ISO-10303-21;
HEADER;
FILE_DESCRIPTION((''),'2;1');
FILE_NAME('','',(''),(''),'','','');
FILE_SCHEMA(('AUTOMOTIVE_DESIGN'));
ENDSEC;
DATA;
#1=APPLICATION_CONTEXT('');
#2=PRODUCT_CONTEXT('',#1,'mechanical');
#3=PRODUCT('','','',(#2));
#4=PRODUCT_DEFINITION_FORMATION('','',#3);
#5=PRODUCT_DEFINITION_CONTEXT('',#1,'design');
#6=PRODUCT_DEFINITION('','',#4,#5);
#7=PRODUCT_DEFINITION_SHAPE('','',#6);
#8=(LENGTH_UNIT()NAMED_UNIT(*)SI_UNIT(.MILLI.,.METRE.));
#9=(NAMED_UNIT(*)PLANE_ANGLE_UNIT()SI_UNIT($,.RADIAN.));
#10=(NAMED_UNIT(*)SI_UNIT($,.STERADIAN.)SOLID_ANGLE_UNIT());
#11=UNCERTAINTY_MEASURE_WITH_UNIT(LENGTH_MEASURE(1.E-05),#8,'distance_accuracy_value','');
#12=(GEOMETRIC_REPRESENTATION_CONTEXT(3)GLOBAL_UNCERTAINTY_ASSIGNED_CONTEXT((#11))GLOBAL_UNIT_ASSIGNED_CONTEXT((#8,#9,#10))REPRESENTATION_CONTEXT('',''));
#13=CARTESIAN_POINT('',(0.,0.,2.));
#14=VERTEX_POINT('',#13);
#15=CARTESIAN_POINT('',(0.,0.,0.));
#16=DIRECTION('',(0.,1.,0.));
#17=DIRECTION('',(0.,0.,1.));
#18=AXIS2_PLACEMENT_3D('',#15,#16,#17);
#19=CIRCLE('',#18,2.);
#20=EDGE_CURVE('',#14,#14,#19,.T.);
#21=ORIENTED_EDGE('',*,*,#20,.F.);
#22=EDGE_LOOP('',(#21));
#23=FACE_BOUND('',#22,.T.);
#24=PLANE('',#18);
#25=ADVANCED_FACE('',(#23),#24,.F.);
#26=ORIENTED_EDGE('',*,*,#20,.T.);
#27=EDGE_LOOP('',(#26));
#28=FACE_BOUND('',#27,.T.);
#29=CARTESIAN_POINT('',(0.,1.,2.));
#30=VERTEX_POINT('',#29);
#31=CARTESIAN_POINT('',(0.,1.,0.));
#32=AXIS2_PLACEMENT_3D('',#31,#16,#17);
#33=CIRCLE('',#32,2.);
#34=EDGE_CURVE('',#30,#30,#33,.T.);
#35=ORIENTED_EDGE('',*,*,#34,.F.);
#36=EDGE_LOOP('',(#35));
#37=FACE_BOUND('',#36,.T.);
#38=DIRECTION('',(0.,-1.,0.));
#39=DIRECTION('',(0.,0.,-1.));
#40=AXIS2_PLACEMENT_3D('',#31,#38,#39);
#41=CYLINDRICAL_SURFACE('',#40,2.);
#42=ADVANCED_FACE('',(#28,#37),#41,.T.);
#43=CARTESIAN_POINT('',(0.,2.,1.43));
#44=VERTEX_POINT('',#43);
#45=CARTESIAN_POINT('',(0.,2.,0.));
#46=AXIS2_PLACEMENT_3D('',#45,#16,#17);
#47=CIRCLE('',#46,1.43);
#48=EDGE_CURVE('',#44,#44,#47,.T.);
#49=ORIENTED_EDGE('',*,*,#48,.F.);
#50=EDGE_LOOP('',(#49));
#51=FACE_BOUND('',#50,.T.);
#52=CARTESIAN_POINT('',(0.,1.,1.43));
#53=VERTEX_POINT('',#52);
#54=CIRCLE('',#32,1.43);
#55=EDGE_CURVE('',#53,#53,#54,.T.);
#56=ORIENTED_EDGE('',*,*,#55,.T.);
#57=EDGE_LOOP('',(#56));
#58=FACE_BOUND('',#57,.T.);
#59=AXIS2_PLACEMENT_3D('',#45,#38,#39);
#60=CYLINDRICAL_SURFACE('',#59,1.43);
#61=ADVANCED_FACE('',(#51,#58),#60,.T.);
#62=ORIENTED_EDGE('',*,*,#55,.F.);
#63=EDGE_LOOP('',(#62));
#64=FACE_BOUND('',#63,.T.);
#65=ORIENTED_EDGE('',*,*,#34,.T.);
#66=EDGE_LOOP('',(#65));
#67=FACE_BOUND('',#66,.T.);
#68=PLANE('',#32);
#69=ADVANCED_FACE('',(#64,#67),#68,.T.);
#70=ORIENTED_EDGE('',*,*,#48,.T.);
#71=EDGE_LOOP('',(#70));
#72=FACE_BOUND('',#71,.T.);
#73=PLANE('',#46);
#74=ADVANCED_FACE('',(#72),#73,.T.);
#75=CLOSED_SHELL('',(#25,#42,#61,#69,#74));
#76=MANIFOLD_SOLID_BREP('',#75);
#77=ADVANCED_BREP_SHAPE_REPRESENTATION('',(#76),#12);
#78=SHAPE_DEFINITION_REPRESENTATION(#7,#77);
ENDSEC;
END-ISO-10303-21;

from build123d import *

# Parameters (mm, degrees)
SKETCH1_R           = 2
BOSS_EXTRUDE1_DEPTH = 1
SKETCH2_R           = 1.43
BOSS_EXTRUDE2_DEPTH = 1


with BuildPart() as part:
    # Sketch1 → Boss-Extrude1 (new body)
    with BuildSketch(Plane(origin=(0, 0, 0), x_dir=(1, 0, 0), z_dir=(0, 1, 0))):
        Circle(SKETCH1_R)
    extrude(amount=BOSS_EXTRUDE1_DEPTH)

    # Sketch2 → Boss-Extrude2 (add)
    with BuildSketch(Plane(origin=(0, 1, 0), x_dir=(1, 0, 0), z_dir=(0, 1, 0))):
        Circle(SKETCH2_R)
    extrude(amount=BOSS_EXTRUDE2_DEPTH)


solid = part.part
